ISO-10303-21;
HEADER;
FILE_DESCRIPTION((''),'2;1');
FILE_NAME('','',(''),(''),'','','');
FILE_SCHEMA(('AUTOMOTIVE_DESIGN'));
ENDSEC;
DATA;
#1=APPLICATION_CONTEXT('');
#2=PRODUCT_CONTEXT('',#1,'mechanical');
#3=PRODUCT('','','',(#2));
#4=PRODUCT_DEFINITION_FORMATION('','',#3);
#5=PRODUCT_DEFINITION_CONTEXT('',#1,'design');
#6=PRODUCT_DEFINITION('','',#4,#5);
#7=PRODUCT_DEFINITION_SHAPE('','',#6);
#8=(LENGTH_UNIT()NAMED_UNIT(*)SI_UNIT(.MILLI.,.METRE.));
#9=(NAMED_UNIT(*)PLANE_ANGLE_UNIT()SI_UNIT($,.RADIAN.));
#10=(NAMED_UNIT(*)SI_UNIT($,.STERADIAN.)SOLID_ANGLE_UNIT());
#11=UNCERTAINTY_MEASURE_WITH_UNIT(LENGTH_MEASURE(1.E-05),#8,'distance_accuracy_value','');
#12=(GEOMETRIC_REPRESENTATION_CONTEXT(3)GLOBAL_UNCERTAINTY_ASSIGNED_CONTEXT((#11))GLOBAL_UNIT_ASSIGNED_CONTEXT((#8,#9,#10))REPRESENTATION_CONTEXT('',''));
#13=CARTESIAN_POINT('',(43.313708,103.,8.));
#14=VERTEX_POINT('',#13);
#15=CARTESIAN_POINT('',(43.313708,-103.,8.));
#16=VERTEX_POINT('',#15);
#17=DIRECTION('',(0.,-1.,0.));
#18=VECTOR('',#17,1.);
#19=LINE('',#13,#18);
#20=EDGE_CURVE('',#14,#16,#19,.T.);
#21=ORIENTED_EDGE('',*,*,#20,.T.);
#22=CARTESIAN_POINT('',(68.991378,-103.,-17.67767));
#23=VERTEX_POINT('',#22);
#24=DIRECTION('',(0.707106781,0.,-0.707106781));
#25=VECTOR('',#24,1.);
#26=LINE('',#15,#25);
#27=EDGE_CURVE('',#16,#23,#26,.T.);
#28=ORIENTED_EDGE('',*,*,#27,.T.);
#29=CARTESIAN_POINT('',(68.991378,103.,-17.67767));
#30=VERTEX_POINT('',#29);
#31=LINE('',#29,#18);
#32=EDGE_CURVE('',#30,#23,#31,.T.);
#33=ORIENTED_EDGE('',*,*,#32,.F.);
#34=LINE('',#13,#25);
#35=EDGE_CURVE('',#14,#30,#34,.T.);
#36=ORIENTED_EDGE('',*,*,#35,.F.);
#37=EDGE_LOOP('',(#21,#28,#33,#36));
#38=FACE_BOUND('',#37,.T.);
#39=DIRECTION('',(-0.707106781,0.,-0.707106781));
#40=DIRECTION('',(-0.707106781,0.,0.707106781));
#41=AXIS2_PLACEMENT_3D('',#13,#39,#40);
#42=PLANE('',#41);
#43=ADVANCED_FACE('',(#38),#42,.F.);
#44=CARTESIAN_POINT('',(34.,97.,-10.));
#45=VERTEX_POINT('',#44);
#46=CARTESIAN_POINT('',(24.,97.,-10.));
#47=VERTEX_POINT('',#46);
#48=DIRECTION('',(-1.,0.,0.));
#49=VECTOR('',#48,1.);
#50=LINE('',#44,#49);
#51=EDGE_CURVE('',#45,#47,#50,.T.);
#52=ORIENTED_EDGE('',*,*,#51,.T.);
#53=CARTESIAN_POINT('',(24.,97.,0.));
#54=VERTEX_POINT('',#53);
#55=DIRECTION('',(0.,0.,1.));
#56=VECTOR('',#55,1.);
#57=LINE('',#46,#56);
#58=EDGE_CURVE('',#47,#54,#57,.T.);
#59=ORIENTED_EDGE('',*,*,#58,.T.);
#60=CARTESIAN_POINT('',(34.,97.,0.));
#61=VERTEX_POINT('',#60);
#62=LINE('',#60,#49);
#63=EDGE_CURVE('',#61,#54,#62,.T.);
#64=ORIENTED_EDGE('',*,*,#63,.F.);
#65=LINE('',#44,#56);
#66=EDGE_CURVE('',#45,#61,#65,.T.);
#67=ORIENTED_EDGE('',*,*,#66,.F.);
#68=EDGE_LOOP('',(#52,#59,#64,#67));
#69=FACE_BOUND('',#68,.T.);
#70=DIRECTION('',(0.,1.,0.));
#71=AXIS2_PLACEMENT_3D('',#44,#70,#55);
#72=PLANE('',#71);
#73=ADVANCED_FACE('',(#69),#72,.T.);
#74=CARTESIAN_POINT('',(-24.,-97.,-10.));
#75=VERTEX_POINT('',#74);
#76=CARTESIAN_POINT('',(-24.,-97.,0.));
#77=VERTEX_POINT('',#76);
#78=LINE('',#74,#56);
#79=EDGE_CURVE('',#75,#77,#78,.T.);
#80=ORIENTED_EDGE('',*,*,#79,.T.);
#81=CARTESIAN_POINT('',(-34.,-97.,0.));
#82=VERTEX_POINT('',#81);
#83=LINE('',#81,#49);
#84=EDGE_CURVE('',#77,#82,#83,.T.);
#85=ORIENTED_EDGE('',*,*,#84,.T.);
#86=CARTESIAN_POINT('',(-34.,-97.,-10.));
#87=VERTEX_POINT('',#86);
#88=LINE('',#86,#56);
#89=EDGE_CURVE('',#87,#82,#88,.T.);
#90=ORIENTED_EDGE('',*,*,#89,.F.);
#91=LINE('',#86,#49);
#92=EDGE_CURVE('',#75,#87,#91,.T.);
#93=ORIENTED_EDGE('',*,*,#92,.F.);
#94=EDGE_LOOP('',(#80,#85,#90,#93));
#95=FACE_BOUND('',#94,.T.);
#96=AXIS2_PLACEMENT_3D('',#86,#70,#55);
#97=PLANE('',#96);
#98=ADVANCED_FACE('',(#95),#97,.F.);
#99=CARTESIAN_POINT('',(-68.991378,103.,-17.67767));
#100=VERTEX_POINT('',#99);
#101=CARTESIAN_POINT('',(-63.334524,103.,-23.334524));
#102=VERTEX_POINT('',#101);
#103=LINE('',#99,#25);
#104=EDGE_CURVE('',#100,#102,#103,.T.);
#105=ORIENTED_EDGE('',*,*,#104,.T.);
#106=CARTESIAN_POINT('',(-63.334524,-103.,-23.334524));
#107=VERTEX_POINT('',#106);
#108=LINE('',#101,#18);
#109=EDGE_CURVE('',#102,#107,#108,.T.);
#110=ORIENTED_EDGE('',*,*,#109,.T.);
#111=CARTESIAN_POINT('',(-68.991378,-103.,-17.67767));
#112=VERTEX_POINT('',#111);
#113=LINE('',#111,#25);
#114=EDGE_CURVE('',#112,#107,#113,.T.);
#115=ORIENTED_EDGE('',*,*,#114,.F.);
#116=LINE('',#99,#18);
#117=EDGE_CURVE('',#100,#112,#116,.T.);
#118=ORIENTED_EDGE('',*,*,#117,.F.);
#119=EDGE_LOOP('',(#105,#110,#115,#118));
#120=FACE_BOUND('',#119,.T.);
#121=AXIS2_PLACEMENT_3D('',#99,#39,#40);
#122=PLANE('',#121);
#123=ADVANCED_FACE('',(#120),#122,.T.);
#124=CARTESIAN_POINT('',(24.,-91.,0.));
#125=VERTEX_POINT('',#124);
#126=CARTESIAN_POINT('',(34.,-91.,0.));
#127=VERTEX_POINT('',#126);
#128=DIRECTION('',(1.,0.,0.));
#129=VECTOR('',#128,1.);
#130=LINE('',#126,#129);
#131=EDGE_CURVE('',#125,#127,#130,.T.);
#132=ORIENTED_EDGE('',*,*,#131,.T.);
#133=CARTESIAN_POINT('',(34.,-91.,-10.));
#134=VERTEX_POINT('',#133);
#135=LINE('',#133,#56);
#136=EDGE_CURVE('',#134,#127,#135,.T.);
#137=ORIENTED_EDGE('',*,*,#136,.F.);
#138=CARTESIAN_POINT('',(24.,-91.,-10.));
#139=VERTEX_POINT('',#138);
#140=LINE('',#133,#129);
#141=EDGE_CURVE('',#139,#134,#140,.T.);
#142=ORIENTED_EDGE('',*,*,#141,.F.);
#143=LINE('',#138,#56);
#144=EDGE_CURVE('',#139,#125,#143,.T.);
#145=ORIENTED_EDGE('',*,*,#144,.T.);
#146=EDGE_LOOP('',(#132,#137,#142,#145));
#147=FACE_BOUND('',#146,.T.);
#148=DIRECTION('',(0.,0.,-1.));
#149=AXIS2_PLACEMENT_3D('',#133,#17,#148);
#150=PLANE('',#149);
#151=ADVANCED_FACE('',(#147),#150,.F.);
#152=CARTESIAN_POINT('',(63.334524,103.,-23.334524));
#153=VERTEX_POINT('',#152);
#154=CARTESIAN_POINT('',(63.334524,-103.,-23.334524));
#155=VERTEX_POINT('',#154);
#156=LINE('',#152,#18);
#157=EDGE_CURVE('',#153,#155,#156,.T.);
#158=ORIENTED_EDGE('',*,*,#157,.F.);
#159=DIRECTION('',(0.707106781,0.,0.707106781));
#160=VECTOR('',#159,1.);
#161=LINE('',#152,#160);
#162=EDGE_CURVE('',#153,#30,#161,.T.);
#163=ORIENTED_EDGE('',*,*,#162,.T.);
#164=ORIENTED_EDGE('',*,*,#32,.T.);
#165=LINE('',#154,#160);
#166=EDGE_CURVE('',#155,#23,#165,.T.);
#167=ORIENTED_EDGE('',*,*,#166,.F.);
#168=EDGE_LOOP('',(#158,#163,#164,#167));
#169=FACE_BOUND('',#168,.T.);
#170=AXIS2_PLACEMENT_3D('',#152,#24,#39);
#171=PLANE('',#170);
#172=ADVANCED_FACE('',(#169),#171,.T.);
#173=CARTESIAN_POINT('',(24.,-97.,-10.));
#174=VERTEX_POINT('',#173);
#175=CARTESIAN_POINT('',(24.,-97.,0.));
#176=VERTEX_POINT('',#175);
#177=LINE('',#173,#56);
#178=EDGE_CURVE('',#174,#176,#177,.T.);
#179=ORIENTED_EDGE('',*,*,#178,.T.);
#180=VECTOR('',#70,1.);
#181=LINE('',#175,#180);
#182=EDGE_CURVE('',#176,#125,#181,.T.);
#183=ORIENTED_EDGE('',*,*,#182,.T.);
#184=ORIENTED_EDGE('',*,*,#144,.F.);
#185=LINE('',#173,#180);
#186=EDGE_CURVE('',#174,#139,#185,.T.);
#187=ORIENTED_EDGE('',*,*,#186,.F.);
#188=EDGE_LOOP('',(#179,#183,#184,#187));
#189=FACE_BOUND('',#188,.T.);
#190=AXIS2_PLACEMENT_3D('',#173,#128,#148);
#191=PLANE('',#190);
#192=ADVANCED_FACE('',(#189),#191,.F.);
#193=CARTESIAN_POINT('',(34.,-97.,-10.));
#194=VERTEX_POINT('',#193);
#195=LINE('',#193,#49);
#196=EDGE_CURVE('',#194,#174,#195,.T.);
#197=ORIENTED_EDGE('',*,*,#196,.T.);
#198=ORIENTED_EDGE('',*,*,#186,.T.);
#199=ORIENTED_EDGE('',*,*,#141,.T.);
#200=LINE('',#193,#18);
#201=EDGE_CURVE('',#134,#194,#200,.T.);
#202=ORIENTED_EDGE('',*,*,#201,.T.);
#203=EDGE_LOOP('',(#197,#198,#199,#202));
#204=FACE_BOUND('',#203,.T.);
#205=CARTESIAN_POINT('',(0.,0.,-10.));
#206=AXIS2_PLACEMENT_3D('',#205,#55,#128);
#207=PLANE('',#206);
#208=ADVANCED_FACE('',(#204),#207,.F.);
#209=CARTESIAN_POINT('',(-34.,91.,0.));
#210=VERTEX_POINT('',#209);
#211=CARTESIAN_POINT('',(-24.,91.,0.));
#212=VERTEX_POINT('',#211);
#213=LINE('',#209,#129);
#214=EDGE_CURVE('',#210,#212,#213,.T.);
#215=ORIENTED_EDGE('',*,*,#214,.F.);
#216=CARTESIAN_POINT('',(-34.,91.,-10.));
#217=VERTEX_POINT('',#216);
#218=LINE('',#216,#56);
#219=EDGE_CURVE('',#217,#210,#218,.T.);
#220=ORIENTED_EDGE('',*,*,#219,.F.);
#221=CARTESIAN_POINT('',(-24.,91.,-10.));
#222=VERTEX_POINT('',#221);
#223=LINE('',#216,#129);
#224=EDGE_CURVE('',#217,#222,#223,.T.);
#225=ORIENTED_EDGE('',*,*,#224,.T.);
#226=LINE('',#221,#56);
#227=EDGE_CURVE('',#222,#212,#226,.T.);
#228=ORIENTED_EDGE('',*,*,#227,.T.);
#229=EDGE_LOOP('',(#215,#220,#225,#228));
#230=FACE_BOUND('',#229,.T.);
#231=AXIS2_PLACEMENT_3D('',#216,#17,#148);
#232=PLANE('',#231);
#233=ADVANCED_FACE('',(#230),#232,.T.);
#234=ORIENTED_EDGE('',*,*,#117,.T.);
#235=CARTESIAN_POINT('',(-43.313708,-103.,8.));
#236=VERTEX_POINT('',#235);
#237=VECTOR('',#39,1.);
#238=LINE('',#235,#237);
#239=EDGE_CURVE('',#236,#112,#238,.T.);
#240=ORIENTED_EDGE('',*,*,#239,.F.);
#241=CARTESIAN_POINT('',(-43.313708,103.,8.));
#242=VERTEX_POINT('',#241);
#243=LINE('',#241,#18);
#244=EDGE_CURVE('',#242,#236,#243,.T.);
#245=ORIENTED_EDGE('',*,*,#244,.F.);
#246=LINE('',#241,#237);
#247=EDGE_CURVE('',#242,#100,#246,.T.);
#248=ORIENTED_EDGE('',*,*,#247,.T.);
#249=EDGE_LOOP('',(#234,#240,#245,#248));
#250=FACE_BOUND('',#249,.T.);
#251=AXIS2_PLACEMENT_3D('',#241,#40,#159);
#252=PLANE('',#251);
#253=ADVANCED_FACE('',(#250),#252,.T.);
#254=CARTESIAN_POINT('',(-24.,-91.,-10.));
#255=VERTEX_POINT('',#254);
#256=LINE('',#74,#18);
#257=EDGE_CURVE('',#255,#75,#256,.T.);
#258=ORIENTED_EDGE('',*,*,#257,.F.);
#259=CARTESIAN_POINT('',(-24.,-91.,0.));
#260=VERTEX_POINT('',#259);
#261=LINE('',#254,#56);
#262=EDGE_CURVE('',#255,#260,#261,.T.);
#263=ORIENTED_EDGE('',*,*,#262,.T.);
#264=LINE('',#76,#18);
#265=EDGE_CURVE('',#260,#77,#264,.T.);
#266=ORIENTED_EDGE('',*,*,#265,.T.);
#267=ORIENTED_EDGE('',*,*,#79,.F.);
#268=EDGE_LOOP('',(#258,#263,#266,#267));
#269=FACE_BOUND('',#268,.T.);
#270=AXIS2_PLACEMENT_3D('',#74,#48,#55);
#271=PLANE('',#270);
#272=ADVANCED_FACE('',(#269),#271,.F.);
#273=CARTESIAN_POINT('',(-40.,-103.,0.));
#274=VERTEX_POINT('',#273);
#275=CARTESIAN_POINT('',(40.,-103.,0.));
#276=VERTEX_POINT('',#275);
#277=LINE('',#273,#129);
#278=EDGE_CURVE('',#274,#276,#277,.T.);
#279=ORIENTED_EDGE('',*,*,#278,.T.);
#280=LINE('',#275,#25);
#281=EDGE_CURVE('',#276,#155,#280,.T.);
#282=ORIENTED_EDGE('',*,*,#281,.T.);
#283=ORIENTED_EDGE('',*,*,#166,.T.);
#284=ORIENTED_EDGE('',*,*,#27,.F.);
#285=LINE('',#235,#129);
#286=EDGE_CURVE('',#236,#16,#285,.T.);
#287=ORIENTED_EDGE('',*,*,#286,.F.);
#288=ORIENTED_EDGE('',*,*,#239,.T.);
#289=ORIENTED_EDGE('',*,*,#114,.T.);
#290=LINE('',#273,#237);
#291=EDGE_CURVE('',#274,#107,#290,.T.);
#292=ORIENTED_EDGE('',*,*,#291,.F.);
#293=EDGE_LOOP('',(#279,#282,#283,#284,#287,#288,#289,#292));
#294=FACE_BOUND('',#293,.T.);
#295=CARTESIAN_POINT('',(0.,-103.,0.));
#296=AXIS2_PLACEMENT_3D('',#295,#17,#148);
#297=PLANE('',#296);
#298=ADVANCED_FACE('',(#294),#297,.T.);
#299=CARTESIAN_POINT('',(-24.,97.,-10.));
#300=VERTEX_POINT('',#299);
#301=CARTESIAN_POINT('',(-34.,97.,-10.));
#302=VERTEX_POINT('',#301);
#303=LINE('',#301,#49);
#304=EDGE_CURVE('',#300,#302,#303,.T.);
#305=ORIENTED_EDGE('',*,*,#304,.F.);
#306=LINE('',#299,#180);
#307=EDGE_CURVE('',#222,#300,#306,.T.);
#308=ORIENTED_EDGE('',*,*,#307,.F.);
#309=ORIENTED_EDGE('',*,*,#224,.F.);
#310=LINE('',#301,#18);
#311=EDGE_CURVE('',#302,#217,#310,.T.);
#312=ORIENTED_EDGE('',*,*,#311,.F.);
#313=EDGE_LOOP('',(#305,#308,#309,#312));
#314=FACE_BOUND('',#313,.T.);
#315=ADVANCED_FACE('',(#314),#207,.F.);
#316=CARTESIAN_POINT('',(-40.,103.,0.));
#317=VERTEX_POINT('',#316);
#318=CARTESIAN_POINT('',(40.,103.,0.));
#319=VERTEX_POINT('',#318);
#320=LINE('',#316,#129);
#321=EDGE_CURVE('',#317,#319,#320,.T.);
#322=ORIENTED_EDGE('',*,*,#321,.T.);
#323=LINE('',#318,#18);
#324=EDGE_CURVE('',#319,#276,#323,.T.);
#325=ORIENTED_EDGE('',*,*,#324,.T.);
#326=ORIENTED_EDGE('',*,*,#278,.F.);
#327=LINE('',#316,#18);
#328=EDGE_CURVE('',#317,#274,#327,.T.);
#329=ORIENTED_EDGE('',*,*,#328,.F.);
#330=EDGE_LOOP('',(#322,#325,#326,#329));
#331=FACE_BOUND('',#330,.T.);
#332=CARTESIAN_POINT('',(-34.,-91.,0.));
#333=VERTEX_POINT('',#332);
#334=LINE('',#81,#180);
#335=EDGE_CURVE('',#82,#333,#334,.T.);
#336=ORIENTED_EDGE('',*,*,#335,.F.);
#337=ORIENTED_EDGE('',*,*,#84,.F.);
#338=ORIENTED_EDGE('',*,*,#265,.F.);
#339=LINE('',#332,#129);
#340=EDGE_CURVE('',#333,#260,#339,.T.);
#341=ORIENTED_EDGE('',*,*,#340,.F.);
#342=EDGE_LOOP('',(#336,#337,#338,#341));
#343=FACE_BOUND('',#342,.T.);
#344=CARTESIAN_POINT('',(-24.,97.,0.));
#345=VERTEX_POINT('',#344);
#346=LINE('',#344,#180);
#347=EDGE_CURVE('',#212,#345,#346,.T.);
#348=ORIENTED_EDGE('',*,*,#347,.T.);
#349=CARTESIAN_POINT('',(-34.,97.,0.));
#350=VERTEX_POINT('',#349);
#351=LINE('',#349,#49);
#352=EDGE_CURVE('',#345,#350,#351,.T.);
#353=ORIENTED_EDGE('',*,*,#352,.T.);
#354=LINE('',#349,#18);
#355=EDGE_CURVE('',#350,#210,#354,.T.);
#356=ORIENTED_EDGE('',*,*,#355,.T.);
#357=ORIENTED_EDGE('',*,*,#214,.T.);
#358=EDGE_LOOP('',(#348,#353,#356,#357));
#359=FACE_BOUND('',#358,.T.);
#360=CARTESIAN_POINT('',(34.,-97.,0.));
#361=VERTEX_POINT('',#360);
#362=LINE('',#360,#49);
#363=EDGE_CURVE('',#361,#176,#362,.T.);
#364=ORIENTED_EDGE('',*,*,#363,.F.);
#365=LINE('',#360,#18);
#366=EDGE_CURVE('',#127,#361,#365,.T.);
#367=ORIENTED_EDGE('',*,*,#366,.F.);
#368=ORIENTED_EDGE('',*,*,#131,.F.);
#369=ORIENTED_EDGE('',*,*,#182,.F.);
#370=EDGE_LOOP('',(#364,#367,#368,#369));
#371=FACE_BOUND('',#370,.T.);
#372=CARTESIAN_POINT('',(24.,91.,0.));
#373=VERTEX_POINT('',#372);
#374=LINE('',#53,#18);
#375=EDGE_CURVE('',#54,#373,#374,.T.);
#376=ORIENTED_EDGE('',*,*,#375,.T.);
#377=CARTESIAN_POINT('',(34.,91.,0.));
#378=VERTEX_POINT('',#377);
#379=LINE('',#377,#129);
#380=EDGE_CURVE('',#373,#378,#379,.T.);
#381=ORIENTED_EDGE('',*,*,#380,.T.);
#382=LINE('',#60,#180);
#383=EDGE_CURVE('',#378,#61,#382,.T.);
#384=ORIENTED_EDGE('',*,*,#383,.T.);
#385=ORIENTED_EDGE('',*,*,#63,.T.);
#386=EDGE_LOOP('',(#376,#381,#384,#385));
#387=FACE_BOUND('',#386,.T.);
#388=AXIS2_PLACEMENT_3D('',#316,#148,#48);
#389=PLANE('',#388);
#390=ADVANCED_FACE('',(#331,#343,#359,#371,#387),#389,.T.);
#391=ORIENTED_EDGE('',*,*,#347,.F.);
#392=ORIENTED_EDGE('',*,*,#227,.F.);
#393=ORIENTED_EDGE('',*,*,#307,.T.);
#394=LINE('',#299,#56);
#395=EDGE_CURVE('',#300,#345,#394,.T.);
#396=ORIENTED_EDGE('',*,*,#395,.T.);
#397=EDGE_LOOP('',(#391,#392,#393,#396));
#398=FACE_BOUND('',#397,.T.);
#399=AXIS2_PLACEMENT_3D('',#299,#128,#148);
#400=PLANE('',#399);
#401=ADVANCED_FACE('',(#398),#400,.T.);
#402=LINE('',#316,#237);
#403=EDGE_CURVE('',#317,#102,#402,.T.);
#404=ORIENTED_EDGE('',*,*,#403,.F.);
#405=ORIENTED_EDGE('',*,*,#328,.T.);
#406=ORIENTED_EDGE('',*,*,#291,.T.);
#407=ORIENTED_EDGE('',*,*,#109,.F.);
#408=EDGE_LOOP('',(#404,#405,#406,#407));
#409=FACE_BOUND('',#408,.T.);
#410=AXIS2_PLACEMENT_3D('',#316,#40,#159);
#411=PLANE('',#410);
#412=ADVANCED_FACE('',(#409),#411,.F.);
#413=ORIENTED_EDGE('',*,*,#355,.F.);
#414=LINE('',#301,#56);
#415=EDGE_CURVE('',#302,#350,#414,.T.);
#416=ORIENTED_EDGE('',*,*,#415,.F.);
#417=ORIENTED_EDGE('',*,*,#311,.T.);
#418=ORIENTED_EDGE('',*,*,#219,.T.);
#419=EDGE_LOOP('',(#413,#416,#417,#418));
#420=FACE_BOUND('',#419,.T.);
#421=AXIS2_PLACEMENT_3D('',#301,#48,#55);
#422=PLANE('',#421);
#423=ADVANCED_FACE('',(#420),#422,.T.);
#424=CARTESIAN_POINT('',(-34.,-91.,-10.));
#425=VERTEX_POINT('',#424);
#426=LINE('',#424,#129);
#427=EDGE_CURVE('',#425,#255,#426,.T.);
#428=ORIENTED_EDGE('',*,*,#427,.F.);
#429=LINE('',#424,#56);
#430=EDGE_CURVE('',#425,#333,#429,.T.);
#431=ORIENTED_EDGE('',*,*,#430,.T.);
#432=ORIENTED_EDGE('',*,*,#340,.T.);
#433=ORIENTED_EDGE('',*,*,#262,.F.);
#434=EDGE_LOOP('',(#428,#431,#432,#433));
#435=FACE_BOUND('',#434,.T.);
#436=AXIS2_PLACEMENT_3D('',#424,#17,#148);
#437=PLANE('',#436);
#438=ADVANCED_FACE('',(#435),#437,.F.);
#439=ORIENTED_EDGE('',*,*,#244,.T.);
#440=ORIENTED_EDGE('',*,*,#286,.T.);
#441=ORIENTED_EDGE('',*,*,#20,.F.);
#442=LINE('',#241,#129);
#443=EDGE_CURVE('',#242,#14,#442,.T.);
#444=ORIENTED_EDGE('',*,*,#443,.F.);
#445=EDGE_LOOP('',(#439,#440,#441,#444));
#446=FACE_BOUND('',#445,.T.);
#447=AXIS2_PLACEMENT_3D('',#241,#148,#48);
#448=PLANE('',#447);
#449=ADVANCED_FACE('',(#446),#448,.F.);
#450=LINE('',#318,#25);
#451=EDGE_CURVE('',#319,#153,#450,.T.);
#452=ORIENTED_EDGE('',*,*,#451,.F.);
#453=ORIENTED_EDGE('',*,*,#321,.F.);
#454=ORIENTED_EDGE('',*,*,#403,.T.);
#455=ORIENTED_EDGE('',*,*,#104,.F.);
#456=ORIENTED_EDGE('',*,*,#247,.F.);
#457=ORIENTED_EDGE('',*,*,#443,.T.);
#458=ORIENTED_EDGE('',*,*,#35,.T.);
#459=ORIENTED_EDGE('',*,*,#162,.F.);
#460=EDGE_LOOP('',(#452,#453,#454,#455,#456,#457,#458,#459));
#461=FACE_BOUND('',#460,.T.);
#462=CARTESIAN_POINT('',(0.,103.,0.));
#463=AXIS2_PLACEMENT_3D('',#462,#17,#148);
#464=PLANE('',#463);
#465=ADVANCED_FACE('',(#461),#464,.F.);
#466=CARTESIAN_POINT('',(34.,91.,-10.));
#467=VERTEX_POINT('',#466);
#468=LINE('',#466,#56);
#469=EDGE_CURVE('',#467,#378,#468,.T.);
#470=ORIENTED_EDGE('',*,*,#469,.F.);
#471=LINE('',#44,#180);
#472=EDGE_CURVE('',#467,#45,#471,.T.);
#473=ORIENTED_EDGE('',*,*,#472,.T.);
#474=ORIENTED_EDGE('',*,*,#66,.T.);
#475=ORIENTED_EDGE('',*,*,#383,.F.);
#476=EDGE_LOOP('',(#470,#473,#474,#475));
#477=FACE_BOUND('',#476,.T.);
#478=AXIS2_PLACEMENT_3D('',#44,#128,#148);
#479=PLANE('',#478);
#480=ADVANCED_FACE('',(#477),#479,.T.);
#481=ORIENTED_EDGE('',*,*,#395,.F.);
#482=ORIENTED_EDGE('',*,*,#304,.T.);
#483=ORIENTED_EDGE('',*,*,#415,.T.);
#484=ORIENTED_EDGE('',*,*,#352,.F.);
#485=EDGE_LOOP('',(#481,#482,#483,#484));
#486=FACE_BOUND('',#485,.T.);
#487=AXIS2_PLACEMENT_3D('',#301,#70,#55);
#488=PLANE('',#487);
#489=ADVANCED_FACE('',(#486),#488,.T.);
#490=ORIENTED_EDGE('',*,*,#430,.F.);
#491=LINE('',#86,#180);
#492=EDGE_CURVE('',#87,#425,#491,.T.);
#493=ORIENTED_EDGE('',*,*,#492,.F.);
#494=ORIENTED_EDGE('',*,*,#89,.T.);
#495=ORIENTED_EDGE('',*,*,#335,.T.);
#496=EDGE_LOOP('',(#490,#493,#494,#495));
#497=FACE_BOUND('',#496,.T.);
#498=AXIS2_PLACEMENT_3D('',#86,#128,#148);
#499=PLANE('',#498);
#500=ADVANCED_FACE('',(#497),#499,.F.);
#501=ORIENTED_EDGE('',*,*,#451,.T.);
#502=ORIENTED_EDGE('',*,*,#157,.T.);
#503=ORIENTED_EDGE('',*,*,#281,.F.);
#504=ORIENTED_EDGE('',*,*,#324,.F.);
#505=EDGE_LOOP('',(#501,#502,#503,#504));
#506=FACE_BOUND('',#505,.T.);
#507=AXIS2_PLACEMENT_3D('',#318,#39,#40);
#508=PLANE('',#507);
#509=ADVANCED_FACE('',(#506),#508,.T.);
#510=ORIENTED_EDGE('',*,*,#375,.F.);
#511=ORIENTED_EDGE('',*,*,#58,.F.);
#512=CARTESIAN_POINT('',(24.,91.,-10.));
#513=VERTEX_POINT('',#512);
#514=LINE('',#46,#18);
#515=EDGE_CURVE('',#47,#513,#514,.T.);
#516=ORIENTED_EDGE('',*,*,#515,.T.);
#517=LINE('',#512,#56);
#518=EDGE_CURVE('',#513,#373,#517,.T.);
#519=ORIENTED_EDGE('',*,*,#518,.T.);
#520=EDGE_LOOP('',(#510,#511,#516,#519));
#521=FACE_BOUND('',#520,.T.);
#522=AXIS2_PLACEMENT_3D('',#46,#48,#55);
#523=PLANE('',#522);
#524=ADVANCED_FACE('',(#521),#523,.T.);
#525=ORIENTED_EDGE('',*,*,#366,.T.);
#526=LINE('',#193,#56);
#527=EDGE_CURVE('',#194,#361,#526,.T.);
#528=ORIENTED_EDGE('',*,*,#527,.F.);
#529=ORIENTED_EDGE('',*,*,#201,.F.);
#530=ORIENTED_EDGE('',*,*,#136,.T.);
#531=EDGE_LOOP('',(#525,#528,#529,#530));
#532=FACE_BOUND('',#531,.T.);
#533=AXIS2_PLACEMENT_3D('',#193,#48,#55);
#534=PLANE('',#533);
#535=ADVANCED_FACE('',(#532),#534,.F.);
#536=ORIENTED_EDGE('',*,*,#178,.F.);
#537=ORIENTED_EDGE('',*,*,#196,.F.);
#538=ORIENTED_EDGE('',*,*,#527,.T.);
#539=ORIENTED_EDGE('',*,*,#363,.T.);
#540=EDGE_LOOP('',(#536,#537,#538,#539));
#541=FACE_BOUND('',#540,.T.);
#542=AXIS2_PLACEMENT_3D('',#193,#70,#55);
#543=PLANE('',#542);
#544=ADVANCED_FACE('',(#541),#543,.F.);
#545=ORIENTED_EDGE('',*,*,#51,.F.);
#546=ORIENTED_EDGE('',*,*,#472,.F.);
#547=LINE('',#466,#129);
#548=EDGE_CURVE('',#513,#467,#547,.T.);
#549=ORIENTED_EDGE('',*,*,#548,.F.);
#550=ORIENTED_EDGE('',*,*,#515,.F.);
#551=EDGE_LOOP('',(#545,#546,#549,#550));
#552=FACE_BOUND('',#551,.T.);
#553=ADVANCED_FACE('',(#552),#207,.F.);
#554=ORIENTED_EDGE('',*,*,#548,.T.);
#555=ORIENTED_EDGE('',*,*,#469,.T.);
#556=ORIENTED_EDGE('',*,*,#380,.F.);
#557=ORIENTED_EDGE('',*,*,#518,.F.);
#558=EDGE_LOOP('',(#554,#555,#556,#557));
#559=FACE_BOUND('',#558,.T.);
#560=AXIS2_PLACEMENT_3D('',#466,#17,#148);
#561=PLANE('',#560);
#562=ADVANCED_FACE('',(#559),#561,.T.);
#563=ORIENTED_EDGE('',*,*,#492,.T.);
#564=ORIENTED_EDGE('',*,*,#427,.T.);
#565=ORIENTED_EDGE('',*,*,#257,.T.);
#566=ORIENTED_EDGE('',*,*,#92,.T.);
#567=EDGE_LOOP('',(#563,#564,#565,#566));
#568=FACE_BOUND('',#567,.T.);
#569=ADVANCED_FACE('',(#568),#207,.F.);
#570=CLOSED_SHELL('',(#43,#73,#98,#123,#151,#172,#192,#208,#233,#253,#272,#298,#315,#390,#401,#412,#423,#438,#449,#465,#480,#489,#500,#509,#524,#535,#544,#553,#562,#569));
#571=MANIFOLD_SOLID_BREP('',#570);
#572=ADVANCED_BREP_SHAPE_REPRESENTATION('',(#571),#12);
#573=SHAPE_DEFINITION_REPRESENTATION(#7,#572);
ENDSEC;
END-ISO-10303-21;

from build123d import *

# Parameters (mm, degrees)
SALIENTE_EXTRUIR1_DEPTH = 103
CROQUIS2_W              = 10
CROQUIS2_H              = 6
SALIENTE_EXTRUIR2_DEPTH = 10


with BuildPart() as part:
    # Croquis1 → Saliente-Extruir1 (new, symmetric)
    with BuildSketch(Plane(origin=(0, 0, 0), x_dir=(1, 0, 0), z_dir=(0, 1, 0))):
        Polygon((-40, 0), (40, 0), (63.334523779, 23.334523779), (68.991378029, 17.67766953), (43.313708499, -8), (-43.313708499, -8), (-68.991378029, 17.67766953), (-63.334523779, 23.334523779), align=None)
    extrude(amount=SALIENTE_EXTRUIR1_DEPTH, both=True)

    # Croquis2 → Saliente-Extruir2 (add)
    with BuildSketch(Plane(origin=(0, 0, 0), x_dir=(-1, 0, 0), z_dir=(0, 0, -1))):
        with Locations((29, -94)):
            Rectangle(CROQUIS2_W, CROQUIS2_H)
        with Locations((-29, -94)):
            Rectangle(CROQUIS2_W, CROQUIS2_H)
    saliente_extruir2 = extrude(amount=SALIENTE_EXTRUIR2_DEPTH)

    # Simetría2: Saliente-Extruir2 across plane
    add(saliente_extruir2.mirror(Plane.ZX))


solid = part.part
